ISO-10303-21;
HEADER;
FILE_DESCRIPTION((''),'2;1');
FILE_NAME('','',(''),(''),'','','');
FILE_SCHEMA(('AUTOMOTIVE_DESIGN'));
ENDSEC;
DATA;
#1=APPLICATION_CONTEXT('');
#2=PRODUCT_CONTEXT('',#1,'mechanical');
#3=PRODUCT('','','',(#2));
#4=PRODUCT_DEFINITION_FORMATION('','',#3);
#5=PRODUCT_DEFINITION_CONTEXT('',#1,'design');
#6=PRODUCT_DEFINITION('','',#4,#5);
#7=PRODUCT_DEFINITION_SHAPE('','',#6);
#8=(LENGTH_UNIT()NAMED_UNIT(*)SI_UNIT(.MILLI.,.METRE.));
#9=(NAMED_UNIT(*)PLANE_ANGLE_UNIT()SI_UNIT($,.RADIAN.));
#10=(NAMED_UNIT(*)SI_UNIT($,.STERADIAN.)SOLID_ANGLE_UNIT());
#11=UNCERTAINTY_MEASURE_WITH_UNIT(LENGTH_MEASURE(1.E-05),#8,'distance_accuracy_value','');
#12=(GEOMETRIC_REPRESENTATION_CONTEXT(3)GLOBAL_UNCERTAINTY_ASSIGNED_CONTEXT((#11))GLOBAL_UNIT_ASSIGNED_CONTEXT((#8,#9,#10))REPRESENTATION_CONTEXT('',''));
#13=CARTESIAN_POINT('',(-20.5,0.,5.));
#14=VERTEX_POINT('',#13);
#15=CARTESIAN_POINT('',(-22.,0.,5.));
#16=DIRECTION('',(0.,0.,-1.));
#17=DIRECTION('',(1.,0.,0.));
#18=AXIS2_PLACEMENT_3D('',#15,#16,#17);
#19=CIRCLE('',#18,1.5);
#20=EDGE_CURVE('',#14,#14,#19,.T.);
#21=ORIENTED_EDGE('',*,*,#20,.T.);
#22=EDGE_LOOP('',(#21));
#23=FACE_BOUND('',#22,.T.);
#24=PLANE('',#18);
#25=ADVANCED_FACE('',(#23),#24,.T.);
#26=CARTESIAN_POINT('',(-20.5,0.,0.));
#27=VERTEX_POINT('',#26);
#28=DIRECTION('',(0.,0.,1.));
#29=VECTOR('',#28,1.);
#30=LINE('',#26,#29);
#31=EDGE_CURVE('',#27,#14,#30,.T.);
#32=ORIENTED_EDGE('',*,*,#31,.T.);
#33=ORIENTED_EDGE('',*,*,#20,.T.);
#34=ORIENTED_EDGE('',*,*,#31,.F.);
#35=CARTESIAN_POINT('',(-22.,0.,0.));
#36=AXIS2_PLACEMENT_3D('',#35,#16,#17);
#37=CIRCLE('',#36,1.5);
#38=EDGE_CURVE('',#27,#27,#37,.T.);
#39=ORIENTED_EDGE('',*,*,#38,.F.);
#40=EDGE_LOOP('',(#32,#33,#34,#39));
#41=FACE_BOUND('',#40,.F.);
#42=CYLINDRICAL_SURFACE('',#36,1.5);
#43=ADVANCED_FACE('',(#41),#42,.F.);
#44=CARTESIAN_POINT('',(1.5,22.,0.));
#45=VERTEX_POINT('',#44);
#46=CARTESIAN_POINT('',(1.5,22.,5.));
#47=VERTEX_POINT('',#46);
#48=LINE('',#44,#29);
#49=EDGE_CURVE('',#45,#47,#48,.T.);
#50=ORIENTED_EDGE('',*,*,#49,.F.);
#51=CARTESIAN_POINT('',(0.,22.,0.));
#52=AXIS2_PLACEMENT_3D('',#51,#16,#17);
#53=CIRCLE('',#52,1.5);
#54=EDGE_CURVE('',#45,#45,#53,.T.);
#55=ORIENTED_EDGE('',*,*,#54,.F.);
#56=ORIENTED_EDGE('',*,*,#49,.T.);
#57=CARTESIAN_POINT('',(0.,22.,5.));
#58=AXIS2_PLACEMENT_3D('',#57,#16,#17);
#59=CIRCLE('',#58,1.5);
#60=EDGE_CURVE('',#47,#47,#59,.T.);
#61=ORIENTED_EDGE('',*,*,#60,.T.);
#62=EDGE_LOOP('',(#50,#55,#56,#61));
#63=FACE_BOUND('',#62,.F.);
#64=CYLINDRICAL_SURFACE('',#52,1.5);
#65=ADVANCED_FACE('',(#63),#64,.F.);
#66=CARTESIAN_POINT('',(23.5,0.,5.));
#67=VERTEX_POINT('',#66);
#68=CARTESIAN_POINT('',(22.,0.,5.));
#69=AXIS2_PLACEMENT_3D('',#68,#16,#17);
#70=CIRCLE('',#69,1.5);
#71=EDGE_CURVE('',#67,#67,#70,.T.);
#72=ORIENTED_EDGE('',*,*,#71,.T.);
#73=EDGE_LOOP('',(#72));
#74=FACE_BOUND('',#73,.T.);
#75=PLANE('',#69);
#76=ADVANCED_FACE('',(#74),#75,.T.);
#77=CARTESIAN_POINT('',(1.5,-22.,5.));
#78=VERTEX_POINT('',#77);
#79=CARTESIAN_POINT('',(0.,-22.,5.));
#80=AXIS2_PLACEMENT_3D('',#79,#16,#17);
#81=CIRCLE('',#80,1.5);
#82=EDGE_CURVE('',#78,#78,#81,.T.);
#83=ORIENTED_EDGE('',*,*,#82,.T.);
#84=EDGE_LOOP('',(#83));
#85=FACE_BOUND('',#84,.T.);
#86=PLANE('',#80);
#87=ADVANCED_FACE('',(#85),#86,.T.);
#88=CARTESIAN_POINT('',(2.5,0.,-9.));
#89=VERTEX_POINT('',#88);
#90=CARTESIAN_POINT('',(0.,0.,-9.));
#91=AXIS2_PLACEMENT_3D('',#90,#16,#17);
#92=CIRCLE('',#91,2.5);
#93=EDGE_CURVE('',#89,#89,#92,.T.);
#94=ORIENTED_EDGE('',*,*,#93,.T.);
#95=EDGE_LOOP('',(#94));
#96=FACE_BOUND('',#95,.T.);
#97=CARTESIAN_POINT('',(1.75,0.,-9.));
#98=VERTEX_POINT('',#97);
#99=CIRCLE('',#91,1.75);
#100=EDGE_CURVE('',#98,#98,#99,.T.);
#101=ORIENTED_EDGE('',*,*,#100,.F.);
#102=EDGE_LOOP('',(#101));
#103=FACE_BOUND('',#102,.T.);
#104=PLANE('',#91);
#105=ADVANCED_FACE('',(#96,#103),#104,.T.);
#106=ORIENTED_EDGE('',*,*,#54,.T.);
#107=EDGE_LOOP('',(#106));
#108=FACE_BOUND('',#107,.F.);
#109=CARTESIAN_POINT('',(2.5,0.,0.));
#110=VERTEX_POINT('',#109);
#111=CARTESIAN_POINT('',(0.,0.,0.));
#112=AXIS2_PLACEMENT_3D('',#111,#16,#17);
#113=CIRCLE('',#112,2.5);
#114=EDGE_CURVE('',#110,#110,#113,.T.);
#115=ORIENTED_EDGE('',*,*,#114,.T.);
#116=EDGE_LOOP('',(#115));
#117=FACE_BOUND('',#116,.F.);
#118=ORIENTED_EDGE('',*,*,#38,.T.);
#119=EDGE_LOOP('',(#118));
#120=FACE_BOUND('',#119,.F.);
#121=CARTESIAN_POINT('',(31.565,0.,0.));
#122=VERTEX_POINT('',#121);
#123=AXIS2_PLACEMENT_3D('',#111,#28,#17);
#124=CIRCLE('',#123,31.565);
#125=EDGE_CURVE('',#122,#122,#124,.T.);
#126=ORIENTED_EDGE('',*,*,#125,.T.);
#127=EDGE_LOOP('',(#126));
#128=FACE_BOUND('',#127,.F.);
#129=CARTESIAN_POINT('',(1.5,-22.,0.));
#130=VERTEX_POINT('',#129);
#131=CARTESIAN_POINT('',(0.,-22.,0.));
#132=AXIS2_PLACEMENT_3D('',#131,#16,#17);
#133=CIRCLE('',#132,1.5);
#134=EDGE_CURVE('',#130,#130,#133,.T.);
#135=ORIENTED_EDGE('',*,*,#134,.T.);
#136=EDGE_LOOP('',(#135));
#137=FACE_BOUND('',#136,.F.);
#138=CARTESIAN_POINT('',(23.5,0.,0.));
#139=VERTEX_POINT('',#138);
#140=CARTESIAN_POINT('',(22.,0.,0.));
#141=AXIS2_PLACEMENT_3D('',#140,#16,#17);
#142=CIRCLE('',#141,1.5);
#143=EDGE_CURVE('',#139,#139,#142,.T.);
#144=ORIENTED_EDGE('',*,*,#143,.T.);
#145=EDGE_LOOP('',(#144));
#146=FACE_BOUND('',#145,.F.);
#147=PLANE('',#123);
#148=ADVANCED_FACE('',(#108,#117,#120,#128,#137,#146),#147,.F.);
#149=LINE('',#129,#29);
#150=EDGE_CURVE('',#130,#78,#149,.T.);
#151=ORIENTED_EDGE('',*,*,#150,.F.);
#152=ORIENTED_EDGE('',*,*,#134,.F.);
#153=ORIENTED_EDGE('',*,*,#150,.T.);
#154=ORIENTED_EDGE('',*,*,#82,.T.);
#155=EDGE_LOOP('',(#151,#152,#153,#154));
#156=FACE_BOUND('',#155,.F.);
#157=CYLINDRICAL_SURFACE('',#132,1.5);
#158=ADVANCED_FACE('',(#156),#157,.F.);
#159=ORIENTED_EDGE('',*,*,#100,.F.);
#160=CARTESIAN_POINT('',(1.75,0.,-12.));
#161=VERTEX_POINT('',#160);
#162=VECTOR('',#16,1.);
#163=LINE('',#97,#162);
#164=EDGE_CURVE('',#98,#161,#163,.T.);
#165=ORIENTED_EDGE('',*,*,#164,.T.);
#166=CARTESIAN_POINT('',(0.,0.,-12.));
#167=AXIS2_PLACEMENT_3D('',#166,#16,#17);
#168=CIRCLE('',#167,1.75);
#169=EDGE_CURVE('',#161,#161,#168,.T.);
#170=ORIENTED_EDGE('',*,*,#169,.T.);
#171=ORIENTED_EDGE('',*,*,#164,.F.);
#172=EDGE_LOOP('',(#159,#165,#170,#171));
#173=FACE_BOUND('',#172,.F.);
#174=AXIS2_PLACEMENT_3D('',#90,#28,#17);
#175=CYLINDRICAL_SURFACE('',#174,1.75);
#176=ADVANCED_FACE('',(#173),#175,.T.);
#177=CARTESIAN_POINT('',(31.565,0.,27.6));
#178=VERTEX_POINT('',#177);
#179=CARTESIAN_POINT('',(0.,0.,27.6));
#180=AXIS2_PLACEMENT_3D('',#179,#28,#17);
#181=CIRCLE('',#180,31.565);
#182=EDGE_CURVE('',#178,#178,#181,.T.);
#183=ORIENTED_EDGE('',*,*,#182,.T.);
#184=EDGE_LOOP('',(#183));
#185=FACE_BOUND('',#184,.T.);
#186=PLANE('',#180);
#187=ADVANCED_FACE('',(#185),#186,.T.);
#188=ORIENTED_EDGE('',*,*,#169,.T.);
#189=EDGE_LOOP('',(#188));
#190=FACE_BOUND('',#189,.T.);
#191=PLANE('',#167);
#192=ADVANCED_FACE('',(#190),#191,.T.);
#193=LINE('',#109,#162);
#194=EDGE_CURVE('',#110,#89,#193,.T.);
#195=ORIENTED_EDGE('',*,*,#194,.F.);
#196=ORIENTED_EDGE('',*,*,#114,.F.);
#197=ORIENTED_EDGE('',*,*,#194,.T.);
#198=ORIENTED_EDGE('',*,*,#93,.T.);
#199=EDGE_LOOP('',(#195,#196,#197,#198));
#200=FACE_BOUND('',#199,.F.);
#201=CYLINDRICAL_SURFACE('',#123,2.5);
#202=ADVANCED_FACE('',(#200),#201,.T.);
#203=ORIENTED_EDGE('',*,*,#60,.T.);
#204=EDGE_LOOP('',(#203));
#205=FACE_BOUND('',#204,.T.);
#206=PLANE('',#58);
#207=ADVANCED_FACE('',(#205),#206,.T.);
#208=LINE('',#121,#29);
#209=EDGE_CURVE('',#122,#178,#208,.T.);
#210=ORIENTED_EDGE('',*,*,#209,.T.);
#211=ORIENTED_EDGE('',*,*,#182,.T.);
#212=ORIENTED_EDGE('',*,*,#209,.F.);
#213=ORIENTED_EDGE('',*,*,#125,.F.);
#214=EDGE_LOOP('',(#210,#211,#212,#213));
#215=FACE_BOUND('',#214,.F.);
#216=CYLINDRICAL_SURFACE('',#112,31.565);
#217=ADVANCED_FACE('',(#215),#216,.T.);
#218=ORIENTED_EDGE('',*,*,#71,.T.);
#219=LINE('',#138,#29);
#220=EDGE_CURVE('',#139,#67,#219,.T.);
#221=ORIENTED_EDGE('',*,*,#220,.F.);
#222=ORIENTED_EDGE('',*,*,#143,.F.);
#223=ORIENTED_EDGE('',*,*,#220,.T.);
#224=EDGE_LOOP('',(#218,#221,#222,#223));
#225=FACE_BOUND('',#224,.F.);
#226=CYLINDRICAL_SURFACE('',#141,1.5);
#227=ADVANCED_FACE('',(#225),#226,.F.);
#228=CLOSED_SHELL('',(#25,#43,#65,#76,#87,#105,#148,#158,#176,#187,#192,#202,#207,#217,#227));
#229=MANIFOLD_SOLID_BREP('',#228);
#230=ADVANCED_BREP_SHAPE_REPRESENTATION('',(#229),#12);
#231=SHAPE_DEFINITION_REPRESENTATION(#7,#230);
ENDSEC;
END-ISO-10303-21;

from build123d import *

# Parameters (mm, degrees)
F0_R     = 31.565
F1_DEPTH = 27.6
F2_R     = 2.5
F3_DEPTH = 9
F4_R     = 1.75
F5_DEPTH = 3
F6_R     = 1.5
F7_DEPTH = 5


with BuildPart() as f1:
    # F0 (on Top) → F1 (new body)
    with BuildSketch(Plane.XY):
        Circle(F0_R)
    extrude(amount=F1_DEPTH)

    # F2 (on face) → F3 (join)
    with BuildSketch(Plane(origin=(0, 0, 0), x_dir=(1, 0, 0), z_dir=(0, 0, -1))):
        Circle(F2_R)
    extrude(amount=F3_DEPTH)

    # F4 (on face) → F5 (join)
    with BuildSketch(Plane(origin=(0, 0, -9), x_dir=(1, 0, 0), z_dir=(0, 0, -1))):
        Circle(F4_R)
    extrude(amount=F5_DEPTH)

    # F6 (on face) → F7 (cut)
    with BuildSketch(Plane(origin=(0, 0, 0), x_dir=(1, 0, 0), z_dir=(0, 0, -1))):
        with Locations((0, 22)):
            Circle(F6_R)
        with Locations((0, -22)):
            Circle(F6_R)
        with Locations((-22, 0)):
            Circle(F6_R)
        with Locations((22, 0)):
            Circle(F6_R)
    extrude(amount=-F7_DEPTH, mode=Mode.SUBTRACT)


solid = f1.part
